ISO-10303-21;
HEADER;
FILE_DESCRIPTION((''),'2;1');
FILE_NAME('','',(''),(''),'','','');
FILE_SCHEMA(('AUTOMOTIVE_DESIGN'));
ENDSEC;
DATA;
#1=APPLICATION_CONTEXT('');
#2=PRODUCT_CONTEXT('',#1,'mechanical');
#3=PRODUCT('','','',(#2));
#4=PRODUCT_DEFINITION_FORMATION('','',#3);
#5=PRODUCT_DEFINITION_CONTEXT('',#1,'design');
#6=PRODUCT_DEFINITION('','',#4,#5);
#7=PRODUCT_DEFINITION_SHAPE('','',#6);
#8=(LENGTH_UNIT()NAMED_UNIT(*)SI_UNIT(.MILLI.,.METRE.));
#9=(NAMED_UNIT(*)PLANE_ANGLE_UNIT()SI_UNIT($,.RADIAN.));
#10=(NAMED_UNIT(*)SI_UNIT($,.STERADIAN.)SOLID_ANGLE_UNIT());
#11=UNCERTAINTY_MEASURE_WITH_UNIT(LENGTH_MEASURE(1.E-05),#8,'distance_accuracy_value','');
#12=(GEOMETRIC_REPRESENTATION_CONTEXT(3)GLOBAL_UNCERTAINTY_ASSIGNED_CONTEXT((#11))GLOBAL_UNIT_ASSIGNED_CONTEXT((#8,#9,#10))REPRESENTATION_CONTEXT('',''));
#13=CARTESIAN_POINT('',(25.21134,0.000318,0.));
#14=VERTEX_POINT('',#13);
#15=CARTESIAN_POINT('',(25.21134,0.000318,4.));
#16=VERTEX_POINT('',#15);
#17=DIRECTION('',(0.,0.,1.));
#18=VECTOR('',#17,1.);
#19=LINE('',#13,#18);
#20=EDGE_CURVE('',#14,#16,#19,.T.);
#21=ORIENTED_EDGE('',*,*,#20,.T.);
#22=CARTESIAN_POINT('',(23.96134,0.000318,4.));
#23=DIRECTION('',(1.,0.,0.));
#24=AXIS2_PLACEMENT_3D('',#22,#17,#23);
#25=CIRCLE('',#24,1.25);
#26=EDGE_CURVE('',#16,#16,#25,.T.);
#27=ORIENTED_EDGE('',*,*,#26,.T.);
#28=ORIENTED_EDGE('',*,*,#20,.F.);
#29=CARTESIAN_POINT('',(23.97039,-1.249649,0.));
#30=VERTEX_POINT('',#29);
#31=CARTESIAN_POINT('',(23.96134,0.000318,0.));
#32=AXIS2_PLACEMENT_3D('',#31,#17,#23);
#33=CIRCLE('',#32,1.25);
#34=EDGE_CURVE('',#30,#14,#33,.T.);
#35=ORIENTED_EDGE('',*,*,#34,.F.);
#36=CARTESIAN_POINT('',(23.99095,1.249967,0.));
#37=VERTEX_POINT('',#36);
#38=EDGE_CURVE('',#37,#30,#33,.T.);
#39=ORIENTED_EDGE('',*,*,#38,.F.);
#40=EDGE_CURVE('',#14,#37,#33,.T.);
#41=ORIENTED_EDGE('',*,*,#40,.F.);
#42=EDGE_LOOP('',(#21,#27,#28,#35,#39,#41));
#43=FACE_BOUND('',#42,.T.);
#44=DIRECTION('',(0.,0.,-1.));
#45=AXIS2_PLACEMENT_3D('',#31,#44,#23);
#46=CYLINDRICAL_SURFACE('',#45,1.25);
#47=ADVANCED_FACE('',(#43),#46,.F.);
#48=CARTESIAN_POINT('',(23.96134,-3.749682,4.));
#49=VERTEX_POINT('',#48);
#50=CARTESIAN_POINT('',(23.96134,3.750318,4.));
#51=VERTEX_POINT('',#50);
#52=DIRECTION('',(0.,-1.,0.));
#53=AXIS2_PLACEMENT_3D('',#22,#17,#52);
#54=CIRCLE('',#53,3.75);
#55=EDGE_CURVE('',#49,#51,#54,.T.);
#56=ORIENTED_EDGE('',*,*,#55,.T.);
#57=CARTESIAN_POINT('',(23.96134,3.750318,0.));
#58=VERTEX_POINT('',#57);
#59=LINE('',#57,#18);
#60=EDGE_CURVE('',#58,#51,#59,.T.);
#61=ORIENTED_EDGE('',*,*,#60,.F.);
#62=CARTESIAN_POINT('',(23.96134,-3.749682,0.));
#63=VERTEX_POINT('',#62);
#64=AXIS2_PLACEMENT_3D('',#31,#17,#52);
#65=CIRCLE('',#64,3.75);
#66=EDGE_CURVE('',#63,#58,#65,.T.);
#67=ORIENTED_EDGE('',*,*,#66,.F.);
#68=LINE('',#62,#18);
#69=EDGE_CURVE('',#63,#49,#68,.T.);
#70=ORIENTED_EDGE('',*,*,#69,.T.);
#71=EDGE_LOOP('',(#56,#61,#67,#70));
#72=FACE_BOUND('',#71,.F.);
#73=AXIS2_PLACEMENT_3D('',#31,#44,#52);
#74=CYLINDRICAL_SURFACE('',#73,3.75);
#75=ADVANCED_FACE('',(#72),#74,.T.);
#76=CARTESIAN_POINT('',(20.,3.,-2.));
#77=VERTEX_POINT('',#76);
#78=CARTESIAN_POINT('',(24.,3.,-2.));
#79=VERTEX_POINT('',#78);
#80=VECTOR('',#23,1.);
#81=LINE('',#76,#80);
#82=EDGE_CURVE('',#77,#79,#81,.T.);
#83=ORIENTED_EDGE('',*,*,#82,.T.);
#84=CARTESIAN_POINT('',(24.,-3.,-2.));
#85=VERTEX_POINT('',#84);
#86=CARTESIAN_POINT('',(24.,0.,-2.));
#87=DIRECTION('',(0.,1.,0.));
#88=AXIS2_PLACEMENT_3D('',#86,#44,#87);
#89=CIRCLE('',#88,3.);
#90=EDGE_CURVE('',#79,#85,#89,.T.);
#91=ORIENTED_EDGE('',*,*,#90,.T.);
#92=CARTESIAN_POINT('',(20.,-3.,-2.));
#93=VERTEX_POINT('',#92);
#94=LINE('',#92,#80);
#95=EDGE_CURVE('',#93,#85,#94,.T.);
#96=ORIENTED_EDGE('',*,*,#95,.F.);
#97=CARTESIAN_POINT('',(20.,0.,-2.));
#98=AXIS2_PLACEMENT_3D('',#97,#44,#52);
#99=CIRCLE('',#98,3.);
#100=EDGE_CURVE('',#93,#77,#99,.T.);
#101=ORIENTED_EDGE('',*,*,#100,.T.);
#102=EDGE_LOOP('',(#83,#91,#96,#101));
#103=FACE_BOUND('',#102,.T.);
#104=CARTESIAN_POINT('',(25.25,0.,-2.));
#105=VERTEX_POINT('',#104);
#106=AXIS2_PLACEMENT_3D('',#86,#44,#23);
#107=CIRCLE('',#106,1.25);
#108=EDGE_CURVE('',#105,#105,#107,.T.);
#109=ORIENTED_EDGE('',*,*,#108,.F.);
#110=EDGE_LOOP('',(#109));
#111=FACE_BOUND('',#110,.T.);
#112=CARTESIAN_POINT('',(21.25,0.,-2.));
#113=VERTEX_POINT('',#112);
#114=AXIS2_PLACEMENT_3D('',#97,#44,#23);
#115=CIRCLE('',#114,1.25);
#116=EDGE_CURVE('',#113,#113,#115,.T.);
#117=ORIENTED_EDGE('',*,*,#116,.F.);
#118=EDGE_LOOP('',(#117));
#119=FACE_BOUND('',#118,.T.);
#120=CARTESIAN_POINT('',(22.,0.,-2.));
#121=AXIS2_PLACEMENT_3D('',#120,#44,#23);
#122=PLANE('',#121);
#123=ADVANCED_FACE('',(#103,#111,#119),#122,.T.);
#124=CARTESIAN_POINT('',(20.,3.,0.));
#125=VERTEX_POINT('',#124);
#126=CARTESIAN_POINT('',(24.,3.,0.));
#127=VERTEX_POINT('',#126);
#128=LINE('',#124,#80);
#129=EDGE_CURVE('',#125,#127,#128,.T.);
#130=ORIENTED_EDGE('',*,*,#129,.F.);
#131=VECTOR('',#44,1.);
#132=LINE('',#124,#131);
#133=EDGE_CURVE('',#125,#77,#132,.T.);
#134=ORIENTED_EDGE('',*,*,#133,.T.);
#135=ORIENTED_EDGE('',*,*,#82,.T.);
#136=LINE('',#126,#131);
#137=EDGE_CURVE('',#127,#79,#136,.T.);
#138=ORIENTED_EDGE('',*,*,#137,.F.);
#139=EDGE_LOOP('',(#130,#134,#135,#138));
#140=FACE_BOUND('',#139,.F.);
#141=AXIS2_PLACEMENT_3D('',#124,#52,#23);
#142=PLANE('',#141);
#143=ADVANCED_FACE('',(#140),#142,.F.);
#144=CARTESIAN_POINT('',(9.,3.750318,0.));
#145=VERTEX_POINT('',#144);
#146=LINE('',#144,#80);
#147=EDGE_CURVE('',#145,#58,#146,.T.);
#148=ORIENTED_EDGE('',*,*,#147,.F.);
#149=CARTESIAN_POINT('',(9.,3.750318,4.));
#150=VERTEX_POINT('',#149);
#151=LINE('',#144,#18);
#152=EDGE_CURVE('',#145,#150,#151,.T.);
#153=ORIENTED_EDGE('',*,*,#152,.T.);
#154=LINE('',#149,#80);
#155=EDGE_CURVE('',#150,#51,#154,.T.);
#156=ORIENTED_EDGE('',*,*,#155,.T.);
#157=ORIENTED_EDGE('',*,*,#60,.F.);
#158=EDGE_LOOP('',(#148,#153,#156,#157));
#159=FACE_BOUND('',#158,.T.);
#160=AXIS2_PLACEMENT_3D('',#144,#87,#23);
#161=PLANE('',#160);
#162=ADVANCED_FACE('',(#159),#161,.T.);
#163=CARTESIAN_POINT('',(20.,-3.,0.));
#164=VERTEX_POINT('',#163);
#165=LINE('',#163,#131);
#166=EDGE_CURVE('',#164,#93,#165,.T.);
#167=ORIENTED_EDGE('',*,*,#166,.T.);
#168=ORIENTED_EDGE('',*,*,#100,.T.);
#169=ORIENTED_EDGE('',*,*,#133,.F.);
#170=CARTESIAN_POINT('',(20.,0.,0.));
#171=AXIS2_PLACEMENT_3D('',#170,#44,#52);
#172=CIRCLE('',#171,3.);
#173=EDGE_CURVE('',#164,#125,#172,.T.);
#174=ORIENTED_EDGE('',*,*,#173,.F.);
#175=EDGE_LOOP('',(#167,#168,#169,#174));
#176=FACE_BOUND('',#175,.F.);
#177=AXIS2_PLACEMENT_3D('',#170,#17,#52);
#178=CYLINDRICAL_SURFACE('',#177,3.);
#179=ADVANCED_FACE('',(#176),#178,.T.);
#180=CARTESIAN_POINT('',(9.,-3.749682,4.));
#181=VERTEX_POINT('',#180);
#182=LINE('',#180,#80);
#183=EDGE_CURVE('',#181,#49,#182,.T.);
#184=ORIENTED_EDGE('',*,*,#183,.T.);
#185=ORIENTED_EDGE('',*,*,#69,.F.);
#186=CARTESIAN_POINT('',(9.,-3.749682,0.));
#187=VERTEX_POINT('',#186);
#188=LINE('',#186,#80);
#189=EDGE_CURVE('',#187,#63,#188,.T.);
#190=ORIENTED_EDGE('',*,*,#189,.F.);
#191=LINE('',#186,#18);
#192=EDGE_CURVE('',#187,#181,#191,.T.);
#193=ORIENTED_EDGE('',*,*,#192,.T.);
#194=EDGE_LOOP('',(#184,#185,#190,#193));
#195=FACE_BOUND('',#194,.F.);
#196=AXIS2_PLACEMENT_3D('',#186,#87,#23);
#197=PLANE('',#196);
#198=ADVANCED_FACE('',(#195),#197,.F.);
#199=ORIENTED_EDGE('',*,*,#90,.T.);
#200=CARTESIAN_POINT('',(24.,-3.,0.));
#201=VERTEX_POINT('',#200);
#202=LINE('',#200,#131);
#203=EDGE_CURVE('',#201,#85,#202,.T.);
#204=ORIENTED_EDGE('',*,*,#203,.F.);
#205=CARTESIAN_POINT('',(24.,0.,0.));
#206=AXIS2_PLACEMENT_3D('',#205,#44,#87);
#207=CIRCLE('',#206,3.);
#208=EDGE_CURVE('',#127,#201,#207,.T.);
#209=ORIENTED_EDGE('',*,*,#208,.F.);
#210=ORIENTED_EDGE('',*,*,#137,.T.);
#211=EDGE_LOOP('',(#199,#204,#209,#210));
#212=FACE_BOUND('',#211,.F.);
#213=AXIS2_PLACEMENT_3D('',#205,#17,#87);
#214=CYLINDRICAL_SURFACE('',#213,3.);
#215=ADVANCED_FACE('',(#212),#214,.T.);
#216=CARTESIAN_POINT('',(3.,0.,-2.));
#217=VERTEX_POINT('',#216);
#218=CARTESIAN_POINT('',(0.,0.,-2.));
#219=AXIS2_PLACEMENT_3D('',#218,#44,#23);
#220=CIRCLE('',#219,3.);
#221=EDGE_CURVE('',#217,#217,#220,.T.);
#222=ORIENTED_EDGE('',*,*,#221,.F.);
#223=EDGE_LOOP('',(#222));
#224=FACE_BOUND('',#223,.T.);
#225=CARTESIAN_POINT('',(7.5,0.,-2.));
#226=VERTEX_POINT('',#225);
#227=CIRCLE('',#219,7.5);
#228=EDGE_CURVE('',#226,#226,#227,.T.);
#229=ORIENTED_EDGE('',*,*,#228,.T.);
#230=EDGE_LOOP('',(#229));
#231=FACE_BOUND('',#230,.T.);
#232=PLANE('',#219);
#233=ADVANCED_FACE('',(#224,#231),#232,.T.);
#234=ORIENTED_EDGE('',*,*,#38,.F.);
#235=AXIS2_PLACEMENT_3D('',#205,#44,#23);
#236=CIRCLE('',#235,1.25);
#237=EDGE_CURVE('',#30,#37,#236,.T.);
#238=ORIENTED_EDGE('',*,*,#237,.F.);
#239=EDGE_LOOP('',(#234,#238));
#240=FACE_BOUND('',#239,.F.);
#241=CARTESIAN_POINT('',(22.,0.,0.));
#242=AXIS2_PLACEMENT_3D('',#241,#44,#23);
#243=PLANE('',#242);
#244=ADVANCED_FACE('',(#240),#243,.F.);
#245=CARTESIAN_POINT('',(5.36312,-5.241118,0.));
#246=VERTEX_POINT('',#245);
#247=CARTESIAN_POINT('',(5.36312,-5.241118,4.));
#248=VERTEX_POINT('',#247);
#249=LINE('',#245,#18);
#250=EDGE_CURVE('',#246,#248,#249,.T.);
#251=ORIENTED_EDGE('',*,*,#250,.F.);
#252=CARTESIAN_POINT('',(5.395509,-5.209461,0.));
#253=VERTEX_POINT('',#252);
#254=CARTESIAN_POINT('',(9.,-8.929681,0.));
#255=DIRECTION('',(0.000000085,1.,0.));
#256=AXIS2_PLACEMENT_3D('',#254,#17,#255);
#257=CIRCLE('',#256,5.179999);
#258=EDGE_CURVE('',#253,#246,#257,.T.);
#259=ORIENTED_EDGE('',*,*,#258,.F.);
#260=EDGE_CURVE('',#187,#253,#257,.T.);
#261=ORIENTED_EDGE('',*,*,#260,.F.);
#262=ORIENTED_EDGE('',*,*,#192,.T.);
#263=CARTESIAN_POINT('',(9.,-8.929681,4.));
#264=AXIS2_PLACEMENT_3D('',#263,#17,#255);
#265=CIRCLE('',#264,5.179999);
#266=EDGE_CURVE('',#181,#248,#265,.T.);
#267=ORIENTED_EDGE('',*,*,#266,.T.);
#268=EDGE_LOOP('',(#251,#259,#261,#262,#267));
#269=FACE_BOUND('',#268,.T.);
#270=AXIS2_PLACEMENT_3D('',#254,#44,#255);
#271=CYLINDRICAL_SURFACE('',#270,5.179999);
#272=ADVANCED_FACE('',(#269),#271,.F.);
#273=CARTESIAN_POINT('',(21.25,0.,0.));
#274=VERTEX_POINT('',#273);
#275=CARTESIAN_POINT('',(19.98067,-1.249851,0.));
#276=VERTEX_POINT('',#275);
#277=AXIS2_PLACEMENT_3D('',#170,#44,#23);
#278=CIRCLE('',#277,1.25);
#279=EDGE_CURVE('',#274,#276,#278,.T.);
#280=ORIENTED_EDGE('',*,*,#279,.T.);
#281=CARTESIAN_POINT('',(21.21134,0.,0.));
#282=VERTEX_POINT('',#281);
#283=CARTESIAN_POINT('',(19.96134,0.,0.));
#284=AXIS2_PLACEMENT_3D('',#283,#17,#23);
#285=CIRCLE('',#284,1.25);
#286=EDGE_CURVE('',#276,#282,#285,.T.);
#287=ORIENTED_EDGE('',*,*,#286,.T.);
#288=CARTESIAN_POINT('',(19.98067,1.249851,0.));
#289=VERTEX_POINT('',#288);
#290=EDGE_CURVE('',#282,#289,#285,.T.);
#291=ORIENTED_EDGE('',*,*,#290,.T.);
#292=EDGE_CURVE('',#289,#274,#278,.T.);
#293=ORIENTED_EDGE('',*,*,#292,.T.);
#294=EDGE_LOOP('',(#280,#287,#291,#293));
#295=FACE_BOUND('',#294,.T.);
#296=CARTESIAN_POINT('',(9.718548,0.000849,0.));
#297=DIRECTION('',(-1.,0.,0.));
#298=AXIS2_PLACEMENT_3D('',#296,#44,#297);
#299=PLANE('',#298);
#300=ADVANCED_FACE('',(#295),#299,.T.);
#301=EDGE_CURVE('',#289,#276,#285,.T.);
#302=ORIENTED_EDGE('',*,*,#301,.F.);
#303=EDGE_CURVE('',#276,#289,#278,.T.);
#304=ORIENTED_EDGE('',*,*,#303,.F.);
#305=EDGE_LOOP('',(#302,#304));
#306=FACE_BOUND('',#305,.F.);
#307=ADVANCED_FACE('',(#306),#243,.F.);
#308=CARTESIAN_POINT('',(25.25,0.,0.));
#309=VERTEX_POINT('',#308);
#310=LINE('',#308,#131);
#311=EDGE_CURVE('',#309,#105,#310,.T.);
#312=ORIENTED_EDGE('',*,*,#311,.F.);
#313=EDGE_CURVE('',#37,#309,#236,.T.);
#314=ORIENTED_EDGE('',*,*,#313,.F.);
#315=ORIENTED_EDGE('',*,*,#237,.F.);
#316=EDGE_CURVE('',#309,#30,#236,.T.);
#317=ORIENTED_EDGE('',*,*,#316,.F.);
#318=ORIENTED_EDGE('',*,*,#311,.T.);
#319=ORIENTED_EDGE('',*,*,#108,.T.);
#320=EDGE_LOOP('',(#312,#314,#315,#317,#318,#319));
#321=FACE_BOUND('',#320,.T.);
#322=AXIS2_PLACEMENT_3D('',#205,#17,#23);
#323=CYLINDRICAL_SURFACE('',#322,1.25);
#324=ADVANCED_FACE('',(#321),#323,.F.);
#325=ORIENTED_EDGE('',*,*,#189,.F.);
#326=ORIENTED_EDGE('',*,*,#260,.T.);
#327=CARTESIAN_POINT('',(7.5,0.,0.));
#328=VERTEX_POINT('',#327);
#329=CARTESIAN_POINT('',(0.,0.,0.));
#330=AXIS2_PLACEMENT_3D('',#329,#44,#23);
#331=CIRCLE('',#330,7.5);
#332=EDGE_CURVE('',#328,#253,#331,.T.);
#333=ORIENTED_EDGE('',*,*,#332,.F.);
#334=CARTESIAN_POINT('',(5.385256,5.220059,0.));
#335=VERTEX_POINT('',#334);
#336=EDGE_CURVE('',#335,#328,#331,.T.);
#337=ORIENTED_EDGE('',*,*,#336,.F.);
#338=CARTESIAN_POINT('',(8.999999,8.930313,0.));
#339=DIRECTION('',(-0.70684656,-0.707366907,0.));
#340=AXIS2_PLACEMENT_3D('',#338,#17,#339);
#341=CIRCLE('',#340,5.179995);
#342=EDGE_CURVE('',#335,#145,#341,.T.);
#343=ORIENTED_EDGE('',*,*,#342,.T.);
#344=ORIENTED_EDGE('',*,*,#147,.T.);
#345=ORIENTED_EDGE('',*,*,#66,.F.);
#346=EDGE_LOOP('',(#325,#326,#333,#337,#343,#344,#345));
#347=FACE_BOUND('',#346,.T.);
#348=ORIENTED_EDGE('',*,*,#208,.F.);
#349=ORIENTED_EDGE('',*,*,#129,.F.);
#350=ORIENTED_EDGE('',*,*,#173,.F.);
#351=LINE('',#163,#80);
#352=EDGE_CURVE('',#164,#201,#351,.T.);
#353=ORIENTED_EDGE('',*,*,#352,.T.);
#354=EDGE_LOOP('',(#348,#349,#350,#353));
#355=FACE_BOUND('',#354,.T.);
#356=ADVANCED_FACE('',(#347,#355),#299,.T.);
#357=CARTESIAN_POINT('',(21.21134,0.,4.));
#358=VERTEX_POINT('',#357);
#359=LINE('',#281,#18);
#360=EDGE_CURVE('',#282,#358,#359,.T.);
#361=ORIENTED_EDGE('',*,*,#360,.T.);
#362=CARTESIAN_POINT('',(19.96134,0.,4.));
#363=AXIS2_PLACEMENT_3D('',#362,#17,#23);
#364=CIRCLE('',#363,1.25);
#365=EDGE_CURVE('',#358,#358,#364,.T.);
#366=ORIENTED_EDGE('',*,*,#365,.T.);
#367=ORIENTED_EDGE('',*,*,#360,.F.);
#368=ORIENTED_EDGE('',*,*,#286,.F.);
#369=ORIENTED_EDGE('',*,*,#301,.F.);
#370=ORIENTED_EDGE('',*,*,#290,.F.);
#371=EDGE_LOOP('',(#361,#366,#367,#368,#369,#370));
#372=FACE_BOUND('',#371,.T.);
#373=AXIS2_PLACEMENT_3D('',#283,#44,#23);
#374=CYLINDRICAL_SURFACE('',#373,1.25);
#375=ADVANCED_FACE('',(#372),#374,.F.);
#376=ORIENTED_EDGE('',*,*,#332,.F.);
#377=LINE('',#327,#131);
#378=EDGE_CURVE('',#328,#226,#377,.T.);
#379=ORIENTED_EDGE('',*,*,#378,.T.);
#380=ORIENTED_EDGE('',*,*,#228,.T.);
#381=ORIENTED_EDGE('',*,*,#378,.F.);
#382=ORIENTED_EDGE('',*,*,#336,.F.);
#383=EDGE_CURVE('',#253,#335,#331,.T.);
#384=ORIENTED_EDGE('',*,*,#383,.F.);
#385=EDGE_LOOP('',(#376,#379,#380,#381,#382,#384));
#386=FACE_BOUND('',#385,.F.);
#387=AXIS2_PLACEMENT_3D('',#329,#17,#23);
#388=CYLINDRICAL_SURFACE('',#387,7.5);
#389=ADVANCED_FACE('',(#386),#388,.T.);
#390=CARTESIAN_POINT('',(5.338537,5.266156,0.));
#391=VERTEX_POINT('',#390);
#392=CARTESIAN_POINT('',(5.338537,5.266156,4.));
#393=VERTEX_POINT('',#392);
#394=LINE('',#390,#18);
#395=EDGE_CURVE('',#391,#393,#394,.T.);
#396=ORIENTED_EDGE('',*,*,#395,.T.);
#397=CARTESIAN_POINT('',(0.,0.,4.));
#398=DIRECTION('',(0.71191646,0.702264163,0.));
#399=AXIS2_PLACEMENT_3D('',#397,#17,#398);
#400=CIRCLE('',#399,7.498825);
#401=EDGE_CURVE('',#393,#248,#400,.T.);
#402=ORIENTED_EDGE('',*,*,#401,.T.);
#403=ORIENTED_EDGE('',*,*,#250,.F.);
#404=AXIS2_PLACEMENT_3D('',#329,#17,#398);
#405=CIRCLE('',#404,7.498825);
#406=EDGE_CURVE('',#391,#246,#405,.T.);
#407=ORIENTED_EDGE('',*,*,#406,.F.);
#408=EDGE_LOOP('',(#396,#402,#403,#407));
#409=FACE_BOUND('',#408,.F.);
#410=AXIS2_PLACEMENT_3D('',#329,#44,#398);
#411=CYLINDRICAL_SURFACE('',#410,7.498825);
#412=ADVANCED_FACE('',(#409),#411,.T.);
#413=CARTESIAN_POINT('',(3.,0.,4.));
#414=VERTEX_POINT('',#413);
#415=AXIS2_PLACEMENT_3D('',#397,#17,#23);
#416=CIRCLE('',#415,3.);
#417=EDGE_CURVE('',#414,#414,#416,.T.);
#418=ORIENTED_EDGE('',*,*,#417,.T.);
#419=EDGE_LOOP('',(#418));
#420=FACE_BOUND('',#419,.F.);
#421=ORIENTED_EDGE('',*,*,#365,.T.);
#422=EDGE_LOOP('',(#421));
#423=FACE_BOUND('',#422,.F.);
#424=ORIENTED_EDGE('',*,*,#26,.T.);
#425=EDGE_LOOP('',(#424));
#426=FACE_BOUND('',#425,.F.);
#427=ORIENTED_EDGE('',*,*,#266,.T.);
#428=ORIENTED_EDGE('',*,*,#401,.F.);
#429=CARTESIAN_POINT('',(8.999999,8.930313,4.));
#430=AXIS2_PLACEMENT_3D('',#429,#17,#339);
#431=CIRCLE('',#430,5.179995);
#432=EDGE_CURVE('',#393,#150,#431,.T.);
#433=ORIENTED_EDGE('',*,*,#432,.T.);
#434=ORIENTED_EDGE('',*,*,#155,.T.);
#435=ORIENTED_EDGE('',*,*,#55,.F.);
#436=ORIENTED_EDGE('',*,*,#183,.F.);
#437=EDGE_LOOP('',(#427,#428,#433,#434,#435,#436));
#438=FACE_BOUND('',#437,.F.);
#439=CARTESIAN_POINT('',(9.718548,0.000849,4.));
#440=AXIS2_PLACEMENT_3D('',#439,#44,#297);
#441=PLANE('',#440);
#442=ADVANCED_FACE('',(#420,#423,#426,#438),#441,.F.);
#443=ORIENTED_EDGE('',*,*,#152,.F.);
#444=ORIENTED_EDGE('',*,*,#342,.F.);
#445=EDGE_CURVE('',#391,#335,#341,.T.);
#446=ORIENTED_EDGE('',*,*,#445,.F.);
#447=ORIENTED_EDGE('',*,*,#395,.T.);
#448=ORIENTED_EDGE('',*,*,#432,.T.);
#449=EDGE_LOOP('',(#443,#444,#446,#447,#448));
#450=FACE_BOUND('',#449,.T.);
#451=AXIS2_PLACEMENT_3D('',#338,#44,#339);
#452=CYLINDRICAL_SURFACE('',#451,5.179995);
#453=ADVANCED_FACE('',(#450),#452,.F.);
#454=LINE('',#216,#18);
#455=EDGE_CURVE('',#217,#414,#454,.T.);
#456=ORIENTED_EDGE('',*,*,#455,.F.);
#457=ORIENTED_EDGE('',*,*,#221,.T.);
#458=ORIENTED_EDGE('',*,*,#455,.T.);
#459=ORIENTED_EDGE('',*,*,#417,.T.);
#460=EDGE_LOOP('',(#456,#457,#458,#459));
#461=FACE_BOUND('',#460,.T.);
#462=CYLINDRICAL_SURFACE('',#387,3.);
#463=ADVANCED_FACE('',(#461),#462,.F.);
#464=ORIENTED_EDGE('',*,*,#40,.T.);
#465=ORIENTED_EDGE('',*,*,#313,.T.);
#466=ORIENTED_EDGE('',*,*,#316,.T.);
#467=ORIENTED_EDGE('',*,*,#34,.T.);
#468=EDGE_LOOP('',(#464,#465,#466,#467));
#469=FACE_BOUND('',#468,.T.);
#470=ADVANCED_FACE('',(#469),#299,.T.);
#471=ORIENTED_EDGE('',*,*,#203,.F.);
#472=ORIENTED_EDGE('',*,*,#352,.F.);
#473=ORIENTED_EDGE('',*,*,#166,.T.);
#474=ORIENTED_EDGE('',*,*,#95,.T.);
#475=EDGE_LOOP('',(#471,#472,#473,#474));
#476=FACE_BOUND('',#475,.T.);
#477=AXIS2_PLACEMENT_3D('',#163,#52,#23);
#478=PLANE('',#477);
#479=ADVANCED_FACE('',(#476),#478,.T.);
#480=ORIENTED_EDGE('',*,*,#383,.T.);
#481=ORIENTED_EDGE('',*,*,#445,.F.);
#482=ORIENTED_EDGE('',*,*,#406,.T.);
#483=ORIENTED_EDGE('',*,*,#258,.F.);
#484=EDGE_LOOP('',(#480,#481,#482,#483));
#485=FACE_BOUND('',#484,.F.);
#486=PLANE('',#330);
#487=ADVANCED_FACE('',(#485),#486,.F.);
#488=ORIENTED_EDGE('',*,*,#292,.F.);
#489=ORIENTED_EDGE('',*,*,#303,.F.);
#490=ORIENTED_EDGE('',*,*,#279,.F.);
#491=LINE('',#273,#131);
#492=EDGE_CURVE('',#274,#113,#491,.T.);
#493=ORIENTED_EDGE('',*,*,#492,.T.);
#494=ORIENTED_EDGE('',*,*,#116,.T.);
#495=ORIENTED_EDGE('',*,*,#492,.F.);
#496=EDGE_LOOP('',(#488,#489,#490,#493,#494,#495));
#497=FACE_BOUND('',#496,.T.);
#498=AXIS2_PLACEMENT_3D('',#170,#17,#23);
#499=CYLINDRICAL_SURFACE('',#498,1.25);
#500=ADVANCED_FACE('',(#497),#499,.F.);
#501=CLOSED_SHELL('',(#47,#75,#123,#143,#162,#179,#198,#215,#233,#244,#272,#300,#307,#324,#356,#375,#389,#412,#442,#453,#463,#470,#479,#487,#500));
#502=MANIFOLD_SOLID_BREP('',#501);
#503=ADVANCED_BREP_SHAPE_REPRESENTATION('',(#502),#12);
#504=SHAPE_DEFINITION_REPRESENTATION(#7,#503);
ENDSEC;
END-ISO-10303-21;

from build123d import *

# Parameters (mm, degrees)
SKETCH_R      = 3
SKETCH_R_2    = 1.25
PAD_DEPTH     = 4
SKETCH001_R   = 7.5
SKETCH001_R_2 = 3
PAD001_DEPTH  = 2
SKETCH002_R   = 1.25
PAD002_DEPTH  = 2


with BuildPart() as part:
    # Sketch → Pad (new body)
    with BuildSketch(Plane.XY):
        with BuildLine():
            Line((9, 3.750318), (23.96134, 3.750318))
            ThreePointArc((23.96134, -3.749682), (27.71134, 0.000318), (23.96134, 3.750318))
            Line((9, -3.749682), (23.96134, -3.749682))
            ThreePointArc((9, -3.749682), (7.034594, -4.137023), (5.36312, -5.241118))
            ThreePointArc((5.338537, 5.266156), (-7.498804, -0.017545), (5.36312, -5.241118))
            ThreePointArc((5.338537, 5.266156), (7.018581, 4.144257), (9, 3.750318))
        make_face()
        Circle(SKETCH_R, mode=Mode.SUBTRACT)
        with Locations((23.96134, 0.000318)):
            Circle(SKETCH_R_2, mode=Mode.SUBTRACT)
        with Locations((19.96134, 0)):
            Circle(SKETCH_R_2, mode=Mode.SUBTRACT)
    extrude(amount=PAD_DEPTH)

    # Sketch001 (on Face10 of Pad) → Pad001 (join)
    with BuildSketch(Plane(origin=(0, 0, 0), x_dir=(1, 0, 0), z_dir=(0, 0, -1))):
        Circle(SKETCH001_R)
        Circle(SKETCH001_R_2, mode=Mode.SUBTRACT)
    extrude(amount=PAD001_DEPTH)

    # Sketch002 (on Face5 of Pad001) → Pad002 (join)
    with BuildSketch(Plane(origin=(0, 0, 0), x_dir=(1, 0, 0), z_dir=(0, 0, -1))):
        with BuildLine():
            ThreePointArc((20, 3), (17, 0), (20, -3))
            Line((20, -3), (24, -3))
            ThreePointArc((24, -3), (27, 0), (24, 3))
            Line((20, 3), (24, 3))
        make_face()
        with Locations((20, 0)):
            Circle(SKETCH002_R, mode=Mode.SUBTRACT)
        with Locations((24, 0)):
            Circle(SKETCH002_R, mode=Mode.SUBTRACT)
    extrude(amount=PAD002_DEPTH)


solid = part.part
